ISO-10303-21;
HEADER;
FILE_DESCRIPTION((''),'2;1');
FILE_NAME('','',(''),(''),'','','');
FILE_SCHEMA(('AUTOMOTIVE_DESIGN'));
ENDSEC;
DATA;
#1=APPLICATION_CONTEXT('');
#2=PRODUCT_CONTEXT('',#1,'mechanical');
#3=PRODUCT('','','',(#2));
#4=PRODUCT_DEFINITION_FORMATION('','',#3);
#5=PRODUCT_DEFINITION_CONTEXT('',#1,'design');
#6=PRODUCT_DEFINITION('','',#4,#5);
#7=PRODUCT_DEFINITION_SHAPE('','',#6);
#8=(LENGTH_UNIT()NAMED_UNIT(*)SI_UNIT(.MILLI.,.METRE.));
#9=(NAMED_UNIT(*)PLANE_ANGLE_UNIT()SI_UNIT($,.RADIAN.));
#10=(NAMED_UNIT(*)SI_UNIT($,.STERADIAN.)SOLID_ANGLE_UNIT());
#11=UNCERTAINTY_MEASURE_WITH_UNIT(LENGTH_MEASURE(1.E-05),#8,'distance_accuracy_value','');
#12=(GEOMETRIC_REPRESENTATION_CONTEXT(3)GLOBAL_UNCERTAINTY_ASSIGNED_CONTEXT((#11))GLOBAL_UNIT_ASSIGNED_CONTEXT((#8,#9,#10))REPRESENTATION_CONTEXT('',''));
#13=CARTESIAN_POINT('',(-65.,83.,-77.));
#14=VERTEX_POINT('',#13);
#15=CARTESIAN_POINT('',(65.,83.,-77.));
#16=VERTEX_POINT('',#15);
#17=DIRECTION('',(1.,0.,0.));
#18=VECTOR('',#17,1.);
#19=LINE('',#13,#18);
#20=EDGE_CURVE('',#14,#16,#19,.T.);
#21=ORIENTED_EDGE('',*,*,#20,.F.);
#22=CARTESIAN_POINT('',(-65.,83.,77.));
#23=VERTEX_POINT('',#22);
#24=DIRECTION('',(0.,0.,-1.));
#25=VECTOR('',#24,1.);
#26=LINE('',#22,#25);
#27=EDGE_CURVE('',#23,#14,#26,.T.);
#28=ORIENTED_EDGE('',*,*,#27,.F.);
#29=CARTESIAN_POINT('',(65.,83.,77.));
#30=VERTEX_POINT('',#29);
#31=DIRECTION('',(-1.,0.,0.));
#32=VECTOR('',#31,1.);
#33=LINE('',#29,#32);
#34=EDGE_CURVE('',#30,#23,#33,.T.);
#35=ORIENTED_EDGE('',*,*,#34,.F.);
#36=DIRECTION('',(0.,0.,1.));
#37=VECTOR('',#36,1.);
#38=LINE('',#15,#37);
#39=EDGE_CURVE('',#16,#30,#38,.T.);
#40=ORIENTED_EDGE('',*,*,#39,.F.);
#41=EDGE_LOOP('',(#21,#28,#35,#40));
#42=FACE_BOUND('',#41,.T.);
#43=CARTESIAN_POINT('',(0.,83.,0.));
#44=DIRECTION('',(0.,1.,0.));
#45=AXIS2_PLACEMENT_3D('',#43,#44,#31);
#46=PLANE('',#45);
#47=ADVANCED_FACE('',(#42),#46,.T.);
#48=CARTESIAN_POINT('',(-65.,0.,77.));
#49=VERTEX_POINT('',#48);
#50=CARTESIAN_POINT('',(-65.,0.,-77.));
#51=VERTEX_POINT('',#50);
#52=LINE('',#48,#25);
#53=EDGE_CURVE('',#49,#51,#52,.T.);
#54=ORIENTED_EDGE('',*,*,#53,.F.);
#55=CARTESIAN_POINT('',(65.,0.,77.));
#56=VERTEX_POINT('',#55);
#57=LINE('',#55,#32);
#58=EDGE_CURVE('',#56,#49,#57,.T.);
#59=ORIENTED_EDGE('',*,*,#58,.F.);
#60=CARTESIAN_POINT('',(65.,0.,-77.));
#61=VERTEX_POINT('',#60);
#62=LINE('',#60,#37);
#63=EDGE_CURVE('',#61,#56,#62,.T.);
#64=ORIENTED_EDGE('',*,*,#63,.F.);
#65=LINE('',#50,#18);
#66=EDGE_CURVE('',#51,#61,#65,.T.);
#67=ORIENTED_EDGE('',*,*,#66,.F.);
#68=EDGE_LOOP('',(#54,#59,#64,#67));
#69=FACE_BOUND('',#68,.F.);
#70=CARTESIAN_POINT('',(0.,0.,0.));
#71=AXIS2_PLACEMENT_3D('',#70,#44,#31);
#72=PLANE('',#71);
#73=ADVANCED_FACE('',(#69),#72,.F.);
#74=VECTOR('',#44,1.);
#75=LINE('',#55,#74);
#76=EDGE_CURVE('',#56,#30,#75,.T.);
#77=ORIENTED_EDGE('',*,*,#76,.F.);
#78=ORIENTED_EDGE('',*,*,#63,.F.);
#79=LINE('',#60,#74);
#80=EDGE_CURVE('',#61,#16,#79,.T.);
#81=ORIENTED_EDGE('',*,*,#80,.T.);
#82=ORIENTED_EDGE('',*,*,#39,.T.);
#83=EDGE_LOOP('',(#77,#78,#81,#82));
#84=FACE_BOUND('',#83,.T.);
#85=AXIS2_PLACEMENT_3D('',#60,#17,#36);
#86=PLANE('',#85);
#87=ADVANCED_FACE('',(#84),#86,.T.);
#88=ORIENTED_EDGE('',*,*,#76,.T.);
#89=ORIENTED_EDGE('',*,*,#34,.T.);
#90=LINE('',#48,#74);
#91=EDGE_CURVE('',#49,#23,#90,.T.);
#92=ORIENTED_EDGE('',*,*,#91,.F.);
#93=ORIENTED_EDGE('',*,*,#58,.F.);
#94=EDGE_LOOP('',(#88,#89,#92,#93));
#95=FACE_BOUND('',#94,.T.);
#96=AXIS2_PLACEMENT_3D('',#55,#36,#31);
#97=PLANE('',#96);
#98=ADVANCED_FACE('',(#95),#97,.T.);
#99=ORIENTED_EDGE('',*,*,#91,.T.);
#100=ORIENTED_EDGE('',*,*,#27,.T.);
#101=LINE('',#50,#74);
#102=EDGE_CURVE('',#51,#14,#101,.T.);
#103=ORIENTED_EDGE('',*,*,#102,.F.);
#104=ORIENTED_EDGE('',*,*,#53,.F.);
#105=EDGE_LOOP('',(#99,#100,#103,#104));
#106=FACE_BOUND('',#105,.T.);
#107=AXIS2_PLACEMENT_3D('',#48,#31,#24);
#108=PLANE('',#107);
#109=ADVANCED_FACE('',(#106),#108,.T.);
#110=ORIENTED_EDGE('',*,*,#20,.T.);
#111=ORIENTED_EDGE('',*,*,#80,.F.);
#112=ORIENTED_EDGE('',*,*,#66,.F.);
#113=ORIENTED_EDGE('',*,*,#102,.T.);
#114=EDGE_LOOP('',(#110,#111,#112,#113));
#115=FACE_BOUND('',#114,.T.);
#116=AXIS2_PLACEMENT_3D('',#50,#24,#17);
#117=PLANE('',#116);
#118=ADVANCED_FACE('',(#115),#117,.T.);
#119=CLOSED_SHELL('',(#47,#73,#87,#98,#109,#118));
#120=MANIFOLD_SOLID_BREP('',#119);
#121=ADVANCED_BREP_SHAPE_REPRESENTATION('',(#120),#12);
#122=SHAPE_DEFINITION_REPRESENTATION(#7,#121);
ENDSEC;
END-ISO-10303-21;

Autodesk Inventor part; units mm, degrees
ref_plane "YZ Plane" through (0, 0, 0) normal (1, 0, 0) x (0, 1, 0)
ref_plane "XZ Plane" through (0, 0, 0) normal (0, 1, 0) x (-1, 0, 0)
ref_plane "XY Plane" through (0, 0, 0) normal (0, 0, 1) x (1, 0, 0)
sketch "Sketch1" plane through (0, 0, 0) normal (0, 1, 0) x (-1, 0, 0)
  line L0 (-65, 77) -> (65, 77)
  line L1 (65, 77) -> (65, -77)
  line L2 (65, -77) -> (-65, -77)
  line L3 (-65, -77) -> (-65, 77)
  line L4 (-65, 77) -> (65, -77) construction
  line L5 (65, 77) -> (-65, -77) construction
  point P0 (0, 0)
  dimension "d0" = 130
  dimension "d1" = 154
extrude "Extrusion1" add sketch "Sketch1" along normal blind 83
properties part number "housing"
